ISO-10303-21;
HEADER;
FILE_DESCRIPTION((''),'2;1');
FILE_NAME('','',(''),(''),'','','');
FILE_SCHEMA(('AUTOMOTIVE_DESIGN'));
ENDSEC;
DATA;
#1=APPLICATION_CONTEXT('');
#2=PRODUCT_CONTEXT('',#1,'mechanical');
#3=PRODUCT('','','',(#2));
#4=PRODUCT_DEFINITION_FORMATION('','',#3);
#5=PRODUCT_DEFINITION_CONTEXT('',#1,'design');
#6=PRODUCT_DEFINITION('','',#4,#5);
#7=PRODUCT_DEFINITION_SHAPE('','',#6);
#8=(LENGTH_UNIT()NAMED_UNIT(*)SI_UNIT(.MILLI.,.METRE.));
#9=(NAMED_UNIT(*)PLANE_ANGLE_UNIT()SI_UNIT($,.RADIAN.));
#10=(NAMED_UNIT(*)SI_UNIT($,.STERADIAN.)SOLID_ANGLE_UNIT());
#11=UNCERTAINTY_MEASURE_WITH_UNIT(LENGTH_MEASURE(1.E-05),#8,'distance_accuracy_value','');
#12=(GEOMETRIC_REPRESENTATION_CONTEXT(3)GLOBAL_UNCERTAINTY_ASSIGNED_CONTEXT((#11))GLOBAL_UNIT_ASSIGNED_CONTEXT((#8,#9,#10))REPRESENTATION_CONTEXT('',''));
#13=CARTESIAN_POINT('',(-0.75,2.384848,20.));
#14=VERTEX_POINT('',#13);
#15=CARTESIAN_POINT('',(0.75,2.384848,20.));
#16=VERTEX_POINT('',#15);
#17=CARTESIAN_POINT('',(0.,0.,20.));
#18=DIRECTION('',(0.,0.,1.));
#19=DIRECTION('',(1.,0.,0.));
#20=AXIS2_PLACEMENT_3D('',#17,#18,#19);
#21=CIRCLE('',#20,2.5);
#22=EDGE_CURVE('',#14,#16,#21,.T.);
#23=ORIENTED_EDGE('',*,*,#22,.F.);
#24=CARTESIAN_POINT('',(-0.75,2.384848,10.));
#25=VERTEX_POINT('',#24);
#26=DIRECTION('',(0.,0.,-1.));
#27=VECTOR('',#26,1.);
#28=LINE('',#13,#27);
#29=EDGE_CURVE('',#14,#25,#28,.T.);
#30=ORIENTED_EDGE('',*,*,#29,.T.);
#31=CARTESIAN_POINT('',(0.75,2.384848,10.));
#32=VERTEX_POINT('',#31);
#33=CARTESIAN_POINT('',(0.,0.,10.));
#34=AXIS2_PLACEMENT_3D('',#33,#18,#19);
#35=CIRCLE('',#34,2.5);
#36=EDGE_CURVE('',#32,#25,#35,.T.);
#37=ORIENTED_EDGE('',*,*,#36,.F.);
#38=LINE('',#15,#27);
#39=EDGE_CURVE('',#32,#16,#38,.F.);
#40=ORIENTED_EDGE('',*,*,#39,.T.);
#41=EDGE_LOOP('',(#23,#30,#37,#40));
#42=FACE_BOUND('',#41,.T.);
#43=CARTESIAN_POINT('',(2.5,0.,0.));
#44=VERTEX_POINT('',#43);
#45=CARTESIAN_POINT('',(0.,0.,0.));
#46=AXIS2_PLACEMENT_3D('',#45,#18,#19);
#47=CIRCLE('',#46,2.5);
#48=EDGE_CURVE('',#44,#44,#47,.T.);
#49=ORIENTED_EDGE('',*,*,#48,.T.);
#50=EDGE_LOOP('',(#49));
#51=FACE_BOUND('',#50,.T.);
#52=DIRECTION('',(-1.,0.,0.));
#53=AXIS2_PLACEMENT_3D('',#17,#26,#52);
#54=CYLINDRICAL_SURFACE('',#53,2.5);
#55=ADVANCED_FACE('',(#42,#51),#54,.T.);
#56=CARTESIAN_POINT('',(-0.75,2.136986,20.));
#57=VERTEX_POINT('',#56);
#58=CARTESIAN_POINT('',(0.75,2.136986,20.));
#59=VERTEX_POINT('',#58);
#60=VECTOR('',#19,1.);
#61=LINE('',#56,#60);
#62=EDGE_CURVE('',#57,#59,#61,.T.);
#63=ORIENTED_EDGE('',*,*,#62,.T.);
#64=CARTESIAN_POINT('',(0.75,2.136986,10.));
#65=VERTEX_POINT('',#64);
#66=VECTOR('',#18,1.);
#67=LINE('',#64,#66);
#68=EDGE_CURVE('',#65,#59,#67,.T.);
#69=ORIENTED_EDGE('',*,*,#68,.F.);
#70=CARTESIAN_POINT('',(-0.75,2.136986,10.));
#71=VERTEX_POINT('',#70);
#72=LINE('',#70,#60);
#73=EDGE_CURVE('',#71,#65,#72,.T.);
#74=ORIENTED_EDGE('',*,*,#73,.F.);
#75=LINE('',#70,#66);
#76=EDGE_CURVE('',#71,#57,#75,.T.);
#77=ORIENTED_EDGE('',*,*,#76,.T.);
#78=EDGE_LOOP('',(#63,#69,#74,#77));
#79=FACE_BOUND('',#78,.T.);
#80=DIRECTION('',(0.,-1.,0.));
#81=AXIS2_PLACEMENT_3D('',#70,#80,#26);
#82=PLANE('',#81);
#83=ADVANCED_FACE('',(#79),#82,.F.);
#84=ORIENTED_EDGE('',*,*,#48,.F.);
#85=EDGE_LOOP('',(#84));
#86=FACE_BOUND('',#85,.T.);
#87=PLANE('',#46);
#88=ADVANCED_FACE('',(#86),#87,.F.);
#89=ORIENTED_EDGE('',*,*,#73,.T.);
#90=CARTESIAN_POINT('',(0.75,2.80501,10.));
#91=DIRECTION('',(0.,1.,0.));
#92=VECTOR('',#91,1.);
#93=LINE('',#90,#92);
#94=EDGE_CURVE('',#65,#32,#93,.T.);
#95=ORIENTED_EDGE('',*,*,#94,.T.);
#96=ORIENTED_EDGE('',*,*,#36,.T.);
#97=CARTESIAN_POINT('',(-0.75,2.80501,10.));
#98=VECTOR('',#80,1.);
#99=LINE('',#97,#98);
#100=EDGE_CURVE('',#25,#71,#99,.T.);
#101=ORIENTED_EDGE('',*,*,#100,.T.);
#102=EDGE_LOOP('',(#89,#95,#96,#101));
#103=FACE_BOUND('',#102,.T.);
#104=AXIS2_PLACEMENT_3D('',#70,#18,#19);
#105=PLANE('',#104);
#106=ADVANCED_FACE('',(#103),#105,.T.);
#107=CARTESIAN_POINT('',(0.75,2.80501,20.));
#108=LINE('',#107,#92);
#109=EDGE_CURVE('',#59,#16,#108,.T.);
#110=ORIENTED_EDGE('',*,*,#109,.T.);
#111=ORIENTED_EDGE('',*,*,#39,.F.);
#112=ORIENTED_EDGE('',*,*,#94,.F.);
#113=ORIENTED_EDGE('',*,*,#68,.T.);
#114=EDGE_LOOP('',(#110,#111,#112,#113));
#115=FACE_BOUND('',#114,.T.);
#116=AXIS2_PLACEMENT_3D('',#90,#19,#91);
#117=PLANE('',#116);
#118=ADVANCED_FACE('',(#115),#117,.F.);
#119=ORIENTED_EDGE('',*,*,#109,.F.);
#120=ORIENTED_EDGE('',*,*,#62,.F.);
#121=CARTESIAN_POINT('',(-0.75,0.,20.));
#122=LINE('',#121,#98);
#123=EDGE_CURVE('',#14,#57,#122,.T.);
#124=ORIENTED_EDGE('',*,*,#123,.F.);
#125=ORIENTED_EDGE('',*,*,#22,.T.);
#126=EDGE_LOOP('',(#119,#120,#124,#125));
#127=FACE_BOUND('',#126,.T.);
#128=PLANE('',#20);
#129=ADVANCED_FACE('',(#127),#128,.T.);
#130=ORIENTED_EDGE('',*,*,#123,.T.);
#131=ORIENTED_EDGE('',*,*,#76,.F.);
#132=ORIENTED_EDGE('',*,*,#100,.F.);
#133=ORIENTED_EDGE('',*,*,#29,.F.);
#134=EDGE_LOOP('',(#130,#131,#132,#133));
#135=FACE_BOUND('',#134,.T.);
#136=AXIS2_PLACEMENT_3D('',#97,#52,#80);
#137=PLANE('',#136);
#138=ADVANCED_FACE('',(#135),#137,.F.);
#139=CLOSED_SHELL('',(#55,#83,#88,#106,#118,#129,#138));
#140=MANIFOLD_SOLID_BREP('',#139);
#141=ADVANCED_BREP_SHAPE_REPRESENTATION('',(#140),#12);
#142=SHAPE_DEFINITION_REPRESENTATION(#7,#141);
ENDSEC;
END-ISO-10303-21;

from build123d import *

# Parameters (mm, degrees)
SKETCH_1_R          = 2.5
EXTRUDE_1_DEPTH     = 20
SKETCH_2_W          = 1.5
SKETCH_2_H          = 0.668024243
CUT_EXTRUDE_1_DEPTH = 10


with BuildPart() as part:
    # 草图1 → 拉伸1 (new body)
    with BuildSketch(Plane.XY):
        Circle(SKETCH_1_R)
    extrude(amount=EXTRUDE_1_DEPTH)

    # 草图2 → 切除-拉伸1 (cut)
    with BuildSketch(Plane.XY.offset(20)):
        with Locations((0, 2.470998364)):
            Rectangle(SKETCH_2_W, SKETCH_2_H)
    extrude(amount=-CUT_EXTRUDE_1_DEPTH, mode=Mode.SUBTRACT)


solid = part.part
